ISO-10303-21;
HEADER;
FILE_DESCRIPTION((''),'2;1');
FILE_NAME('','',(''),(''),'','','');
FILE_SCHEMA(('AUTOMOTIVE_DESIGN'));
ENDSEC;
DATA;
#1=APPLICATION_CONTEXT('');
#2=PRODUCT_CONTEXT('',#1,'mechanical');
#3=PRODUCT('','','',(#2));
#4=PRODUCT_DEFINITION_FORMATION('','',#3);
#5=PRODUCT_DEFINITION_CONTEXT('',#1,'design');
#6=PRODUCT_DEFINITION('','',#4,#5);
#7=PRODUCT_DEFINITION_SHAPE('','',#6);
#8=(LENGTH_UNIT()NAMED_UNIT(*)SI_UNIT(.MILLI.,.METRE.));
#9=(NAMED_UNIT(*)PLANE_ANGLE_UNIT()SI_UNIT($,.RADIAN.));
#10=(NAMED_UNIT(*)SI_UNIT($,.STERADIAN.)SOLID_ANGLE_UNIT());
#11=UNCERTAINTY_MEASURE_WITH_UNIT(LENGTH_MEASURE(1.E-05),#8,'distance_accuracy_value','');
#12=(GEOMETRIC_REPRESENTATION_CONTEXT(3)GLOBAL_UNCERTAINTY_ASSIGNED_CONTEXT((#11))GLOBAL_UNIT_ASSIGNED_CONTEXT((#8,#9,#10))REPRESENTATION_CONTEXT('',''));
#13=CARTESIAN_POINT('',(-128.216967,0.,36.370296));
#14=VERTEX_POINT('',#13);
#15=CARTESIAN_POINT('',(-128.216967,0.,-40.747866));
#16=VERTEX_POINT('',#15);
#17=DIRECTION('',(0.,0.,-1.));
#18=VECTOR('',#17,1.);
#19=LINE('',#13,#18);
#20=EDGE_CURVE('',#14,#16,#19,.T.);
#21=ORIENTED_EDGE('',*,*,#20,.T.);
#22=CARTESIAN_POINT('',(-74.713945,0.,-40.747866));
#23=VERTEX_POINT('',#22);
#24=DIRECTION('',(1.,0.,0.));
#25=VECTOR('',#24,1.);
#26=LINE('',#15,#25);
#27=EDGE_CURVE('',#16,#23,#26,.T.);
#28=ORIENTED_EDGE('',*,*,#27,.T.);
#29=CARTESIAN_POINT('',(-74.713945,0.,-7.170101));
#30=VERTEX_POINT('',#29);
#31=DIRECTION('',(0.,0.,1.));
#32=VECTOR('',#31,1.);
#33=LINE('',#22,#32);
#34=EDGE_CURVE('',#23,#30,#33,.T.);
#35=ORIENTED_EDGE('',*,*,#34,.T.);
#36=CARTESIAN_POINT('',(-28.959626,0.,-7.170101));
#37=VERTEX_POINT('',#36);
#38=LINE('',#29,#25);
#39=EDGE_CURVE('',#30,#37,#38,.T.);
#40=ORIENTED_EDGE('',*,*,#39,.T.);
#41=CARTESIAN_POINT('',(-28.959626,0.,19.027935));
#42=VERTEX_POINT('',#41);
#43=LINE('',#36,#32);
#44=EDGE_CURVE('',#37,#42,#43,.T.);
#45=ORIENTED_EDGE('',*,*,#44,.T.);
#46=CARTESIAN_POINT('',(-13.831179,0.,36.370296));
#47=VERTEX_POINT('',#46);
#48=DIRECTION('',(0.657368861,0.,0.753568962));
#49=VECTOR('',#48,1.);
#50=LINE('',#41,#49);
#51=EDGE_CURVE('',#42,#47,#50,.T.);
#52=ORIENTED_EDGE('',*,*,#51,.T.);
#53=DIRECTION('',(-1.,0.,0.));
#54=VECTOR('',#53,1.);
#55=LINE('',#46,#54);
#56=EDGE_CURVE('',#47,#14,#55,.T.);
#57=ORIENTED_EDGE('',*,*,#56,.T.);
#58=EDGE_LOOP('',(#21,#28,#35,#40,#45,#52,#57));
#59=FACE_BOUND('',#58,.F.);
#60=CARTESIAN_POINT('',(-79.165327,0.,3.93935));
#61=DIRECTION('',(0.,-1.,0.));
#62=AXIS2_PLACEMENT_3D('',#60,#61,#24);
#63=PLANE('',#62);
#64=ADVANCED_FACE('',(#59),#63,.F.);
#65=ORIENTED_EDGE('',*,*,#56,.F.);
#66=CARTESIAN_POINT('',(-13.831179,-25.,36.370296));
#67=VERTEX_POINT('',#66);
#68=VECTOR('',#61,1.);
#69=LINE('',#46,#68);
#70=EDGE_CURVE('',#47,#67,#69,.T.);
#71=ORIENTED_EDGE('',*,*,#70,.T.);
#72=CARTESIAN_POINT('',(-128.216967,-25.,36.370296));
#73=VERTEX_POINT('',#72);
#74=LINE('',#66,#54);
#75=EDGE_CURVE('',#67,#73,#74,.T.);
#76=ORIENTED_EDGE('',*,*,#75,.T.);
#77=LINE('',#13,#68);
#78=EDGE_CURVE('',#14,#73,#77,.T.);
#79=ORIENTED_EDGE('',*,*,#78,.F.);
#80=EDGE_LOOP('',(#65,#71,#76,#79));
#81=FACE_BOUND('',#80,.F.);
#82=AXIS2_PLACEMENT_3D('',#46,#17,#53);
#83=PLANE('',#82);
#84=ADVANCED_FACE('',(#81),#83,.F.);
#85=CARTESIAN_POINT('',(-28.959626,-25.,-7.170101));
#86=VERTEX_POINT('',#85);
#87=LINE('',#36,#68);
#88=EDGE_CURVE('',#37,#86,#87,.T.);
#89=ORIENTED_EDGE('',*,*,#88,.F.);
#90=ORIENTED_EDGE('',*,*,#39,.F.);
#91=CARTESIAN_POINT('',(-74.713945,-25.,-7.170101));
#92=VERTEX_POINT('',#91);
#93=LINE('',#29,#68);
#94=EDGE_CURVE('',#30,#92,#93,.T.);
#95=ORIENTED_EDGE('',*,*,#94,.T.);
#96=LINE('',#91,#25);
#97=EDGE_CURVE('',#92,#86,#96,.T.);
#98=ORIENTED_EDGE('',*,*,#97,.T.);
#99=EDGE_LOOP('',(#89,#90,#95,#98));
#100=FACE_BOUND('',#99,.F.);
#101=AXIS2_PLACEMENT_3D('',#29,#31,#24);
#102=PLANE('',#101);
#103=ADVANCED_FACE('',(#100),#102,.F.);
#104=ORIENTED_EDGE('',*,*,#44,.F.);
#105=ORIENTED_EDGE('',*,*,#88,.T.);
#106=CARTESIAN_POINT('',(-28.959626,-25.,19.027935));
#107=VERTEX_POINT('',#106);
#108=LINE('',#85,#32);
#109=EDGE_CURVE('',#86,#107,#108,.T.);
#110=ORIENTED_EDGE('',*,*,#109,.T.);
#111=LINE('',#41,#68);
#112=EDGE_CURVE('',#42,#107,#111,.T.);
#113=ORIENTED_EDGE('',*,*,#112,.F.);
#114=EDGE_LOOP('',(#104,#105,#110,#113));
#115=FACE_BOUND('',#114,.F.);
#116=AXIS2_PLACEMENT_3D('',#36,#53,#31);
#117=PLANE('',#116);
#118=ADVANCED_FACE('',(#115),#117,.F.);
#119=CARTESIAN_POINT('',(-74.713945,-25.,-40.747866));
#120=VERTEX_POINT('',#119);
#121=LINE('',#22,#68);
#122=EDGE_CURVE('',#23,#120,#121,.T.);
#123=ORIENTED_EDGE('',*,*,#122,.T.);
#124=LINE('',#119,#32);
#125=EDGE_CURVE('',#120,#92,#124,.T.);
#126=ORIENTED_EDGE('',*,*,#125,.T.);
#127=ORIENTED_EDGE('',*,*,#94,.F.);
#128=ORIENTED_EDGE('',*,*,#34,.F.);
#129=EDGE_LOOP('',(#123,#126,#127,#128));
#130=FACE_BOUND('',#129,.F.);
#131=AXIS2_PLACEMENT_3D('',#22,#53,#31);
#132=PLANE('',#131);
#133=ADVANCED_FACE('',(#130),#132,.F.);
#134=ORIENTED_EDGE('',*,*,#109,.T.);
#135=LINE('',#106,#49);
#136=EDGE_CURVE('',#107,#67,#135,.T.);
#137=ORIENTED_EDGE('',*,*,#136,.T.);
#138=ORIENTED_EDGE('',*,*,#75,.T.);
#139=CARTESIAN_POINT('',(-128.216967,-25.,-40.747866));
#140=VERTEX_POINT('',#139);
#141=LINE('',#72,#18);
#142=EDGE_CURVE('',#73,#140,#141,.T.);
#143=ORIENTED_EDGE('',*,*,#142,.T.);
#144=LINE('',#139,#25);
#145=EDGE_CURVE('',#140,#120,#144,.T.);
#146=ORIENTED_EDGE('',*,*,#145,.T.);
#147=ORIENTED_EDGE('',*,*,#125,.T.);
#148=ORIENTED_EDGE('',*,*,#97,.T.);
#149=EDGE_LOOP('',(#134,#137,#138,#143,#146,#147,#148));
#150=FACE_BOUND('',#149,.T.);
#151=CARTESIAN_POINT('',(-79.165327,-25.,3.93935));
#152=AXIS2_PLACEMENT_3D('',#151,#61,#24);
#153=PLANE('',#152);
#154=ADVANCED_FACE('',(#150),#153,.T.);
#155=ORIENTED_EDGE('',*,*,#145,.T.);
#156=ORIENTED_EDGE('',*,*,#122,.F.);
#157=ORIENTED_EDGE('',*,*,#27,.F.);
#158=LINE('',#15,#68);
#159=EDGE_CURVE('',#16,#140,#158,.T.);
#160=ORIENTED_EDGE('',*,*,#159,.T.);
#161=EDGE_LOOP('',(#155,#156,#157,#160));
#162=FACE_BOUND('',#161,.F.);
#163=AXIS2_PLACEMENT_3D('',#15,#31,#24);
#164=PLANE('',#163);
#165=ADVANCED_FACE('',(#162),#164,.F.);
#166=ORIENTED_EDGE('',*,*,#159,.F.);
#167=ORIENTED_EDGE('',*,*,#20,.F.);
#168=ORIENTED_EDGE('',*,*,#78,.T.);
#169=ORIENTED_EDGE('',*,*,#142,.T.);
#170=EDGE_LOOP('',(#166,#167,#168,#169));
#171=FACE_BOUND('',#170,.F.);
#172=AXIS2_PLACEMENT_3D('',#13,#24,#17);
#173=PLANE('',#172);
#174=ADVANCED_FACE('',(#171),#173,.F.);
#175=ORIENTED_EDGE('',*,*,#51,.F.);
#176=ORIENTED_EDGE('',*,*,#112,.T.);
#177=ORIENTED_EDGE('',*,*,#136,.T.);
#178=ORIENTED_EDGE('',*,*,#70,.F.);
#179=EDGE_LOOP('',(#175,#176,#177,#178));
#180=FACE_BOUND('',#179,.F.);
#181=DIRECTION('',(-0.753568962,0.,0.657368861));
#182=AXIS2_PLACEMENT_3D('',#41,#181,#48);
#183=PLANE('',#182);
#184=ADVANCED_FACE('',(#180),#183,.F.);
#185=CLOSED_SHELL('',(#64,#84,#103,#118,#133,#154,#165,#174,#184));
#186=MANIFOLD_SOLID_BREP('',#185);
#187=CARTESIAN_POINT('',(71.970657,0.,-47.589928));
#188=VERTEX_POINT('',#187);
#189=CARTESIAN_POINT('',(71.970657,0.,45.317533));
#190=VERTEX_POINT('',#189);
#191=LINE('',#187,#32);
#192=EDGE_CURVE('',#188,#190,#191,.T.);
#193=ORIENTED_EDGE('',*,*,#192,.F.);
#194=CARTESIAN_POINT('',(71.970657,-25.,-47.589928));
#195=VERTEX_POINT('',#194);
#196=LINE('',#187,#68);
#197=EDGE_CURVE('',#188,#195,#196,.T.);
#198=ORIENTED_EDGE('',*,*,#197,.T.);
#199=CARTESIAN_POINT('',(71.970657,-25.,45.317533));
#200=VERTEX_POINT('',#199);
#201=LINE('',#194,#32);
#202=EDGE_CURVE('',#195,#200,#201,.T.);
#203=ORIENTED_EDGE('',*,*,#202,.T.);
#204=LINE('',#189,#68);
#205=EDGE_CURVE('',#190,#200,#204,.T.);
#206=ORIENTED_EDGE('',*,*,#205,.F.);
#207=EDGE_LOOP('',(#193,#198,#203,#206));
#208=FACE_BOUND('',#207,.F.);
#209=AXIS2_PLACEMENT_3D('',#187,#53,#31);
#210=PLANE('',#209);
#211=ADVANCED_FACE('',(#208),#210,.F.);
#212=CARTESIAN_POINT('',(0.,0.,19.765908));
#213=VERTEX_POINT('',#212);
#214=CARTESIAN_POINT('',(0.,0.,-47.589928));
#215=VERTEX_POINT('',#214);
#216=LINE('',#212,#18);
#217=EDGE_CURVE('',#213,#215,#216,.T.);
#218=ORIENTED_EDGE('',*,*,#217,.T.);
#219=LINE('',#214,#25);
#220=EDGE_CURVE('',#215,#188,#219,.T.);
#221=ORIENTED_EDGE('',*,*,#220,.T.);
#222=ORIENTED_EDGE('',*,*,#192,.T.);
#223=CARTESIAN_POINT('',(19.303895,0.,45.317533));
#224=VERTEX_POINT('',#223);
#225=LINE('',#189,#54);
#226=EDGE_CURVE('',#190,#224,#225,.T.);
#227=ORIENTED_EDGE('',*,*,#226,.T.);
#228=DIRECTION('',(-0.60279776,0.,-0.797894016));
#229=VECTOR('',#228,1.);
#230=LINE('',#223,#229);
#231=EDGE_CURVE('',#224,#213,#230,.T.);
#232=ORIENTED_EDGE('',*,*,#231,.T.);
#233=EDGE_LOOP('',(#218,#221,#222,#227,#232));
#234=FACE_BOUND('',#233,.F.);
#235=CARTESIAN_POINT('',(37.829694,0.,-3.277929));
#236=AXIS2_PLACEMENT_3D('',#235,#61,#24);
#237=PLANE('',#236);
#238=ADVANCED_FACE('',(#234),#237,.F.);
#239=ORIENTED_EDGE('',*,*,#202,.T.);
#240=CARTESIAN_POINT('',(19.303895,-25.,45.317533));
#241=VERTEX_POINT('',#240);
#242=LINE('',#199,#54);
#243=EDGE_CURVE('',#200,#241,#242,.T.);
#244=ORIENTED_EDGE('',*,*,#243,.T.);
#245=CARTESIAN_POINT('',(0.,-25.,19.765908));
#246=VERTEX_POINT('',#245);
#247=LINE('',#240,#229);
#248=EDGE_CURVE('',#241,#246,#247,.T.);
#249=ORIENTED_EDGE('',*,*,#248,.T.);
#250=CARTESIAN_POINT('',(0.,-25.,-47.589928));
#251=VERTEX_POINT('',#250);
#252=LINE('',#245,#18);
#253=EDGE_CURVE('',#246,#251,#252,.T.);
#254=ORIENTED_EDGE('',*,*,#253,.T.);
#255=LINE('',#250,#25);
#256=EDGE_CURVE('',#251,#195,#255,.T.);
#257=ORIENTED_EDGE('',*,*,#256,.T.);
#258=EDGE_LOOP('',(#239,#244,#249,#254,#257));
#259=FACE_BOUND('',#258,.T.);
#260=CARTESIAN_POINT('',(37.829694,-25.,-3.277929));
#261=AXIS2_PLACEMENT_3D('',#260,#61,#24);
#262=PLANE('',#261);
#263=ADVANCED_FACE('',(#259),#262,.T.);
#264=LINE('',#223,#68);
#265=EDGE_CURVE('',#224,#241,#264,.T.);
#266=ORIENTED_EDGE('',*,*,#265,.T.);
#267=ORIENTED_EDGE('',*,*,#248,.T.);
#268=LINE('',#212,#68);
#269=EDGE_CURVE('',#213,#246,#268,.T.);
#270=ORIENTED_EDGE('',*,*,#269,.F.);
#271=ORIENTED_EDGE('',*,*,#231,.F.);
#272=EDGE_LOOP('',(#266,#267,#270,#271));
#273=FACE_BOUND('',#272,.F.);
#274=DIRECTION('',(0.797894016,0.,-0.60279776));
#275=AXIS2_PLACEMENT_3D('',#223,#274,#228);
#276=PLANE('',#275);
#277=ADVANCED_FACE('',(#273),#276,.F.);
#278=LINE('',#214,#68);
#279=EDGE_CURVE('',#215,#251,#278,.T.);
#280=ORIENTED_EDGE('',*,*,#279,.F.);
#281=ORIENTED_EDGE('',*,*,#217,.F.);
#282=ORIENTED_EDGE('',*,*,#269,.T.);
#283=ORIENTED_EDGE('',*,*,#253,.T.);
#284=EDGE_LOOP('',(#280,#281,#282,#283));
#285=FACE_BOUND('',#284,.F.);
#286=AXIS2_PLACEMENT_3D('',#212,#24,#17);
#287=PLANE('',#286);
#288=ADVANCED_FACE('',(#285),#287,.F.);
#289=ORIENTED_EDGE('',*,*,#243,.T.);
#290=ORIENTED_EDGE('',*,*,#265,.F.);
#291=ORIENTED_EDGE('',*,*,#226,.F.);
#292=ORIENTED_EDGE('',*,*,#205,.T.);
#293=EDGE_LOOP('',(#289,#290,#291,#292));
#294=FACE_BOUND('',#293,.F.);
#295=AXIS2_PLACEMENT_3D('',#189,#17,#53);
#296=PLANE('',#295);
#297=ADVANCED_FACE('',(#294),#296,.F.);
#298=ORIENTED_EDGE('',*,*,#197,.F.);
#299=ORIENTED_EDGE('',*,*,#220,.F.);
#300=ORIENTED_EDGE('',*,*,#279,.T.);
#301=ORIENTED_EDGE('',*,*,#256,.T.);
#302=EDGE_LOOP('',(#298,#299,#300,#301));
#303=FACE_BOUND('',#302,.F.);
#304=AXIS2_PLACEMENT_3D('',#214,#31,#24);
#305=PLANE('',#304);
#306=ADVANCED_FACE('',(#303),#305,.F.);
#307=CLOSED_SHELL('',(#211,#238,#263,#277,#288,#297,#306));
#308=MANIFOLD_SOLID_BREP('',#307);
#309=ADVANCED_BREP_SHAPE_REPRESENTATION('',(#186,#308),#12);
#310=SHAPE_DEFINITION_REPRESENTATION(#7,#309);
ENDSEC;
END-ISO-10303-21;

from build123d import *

# Parameters (mm, degrees)
F1_DEPTH = 25


with BuildPart() as f1:
    # F0 (on Front) → F1 (new body)
    with BuildSketch(Plane.XZ):
        Polygon((-13.831179, 36.370296), (-122.313194, 36.370296), (-128.216967, 36.370296), (-128.216967, -40.747866), (-74.713945, -40.747866), (-74.713945, -7.170101), (-28.959626, -7.170101), (-28.959626, 19.027935), align=None)
        Polygon((71.970657, 45.317533), (19.303895, 45.317533), (0, 19.765908), (0, -4.956183), (0, -35.582054), (0, -47.589928), (71.970657, -47.589928), align=None)
    extrude(amount=F1_DEPTH)


solid = f1.part
